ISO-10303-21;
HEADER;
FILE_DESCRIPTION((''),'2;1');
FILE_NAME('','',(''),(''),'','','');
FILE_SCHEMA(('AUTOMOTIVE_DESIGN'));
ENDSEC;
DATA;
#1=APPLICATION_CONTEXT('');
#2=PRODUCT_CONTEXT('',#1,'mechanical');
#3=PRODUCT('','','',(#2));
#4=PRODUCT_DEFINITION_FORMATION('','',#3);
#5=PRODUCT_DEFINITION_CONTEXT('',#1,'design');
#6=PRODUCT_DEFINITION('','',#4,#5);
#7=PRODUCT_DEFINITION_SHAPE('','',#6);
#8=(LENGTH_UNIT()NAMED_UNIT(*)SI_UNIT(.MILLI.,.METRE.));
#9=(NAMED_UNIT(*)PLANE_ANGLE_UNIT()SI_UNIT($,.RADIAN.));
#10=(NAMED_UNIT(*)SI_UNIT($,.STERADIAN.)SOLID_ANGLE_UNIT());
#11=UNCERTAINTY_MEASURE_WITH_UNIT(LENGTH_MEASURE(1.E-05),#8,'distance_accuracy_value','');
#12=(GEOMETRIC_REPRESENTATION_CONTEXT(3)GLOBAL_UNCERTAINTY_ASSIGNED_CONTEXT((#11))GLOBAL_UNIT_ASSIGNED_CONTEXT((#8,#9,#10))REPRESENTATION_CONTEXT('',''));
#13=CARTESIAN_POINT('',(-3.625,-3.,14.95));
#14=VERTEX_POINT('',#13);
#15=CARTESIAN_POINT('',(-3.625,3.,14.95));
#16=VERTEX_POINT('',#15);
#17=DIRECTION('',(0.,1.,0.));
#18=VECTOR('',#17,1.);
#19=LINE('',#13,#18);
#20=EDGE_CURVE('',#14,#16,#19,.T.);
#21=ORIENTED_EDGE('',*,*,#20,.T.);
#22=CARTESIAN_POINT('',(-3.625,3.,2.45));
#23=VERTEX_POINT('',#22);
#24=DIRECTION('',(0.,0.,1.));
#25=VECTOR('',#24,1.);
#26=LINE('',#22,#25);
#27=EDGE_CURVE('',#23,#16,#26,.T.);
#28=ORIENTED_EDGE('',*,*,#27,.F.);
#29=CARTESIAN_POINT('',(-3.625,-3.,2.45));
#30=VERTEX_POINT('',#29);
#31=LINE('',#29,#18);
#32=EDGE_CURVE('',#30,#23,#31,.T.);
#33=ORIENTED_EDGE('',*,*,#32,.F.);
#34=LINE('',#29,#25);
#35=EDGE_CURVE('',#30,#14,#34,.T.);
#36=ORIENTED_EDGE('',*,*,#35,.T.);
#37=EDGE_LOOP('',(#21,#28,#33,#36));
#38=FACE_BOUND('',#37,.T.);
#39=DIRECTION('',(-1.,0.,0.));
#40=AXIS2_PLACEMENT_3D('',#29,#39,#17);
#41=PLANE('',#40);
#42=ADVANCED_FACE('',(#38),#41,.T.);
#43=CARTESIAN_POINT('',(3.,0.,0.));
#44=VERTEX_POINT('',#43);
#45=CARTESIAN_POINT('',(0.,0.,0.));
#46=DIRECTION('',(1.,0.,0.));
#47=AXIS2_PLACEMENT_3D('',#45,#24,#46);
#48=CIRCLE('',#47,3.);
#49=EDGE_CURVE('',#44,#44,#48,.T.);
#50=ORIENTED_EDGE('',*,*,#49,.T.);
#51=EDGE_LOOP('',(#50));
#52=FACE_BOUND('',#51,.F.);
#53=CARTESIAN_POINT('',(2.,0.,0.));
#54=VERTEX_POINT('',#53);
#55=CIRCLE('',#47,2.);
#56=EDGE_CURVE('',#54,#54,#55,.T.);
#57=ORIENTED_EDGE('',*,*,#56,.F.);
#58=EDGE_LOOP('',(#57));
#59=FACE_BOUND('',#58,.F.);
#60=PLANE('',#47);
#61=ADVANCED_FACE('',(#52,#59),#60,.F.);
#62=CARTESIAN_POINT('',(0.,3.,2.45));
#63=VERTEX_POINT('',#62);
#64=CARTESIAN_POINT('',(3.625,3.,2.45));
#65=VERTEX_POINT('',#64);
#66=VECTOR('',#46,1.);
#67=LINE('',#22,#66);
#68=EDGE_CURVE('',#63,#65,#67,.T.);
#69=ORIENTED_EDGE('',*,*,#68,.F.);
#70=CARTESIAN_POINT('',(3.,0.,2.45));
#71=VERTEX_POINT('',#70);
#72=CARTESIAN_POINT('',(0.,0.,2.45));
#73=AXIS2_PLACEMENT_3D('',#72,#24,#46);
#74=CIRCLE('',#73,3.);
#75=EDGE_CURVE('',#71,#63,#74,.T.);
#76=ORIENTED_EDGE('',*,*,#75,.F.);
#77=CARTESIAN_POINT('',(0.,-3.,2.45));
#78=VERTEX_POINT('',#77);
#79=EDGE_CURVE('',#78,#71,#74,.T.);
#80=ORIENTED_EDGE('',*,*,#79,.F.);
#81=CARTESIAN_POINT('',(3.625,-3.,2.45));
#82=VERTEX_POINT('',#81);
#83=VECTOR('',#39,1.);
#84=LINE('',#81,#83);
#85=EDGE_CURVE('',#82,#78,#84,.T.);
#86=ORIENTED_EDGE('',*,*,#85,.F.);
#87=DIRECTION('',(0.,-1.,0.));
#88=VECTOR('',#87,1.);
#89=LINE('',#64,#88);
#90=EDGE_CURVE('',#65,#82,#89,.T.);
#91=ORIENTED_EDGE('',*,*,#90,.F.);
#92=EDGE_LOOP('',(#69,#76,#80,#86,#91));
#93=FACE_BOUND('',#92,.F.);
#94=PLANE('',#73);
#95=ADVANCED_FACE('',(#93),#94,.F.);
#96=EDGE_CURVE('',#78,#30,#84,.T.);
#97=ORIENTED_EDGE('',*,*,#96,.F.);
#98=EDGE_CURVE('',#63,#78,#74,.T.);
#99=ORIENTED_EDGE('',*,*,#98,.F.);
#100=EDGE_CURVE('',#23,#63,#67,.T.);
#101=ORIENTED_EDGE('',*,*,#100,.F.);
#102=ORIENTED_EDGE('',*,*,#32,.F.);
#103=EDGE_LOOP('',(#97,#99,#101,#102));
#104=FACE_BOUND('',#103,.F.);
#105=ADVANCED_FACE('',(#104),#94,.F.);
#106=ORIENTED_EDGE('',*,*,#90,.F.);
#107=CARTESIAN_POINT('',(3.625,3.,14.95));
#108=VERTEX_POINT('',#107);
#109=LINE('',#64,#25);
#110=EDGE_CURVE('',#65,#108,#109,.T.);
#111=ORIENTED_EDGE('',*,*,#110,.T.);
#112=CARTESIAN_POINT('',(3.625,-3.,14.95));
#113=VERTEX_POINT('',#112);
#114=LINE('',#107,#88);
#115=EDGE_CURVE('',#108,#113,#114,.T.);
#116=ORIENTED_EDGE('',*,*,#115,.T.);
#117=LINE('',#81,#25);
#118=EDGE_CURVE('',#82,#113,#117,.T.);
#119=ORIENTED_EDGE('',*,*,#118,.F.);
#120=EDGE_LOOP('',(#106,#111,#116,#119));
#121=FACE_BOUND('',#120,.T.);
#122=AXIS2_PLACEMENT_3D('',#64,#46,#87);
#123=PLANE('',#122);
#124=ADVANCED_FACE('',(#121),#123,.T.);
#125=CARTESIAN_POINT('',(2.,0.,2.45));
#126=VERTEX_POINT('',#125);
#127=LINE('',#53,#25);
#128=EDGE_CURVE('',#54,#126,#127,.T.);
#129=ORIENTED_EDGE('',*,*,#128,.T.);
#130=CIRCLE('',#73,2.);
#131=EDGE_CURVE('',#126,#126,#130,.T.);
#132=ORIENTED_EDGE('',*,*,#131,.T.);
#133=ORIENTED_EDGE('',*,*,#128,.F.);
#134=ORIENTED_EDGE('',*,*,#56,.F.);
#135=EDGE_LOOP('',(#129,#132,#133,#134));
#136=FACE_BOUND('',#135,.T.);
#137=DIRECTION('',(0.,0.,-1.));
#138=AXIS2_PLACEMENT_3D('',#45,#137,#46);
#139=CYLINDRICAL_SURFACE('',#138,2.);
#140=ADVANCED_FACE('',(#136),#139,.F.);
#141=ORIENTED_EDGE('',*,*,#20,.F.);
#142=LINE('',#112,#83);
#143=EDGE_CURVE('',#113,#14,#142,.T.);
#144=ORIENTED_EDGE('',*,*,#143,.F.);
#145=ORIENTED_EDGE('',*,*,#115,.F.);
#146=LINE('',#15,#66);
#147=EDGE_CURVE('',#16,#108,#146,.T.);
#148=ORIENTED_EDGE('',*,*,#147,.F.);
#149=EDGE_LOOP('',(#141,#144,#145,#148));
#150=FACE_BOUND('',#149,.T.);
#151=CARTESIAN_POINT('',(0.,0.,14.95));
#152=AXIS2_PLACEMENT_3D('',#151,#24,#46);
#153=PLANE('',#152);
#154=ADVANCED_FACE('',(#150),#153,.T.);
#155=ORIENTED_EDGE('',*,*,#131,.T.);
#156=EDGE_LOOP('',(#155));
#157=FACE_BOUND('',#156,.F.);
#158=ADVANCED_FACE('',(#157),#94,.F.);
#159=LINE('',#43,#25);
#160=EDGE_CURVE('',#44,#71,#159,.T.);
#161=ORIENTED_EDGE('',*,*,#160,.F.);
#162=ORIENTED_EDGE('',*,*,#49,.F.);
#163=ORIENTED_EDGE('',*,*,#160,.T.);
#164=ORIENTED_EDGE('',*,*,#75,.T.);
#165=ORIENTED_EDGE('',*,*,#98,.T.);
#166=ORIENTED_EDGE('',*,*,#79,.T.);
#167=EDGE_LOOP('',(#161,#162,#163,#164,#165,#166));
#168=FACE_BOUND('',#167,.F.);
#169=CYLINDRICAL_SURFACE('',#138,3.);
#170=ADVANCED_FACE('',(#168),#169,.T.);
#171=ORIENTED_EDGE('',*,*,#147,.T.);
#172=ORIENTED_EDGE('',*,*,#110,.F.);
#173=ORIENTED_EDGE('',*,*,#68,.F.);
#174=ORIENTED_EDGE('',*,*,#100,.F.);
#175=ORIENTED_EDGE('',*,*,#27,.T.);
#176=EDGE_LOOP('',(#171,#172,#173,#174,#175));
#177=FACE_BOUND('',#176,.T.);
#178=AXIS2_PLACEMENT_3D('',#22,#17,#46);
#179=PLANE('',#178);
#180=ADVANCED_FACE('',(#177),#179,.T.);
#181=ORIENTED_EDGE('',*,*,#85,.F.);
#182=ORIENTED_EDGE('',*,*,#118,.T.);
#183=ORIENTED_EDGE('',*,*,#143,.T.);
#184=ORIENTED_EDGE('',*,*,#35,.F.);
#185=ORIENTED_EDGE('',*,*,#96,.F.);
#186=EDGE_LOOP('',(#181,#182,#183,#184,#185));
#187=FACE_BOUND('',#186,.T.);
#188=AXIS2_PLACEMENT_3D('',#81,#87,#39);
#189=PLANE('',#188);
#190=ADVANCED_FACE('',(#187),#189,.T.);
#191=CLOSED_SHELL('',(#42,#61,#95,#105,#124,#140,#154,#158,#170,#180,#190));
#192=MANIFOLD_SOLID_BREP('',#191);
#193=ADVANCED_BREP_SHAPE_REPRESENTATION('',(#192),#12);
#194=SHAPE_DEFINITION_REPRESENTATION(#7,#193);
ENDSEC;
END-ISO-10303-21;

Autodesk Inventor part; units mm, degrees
ref_plane "YZ Plane" through (0, 0, 0) normal (1, 0, 0) x (0, 1, 0)
ref_plane "XZ Plane" through (0, 0, 0) normal (0, 1, 0) x (-1, 0, 0)
ref_plane "XY Plane" through (0, 0, 0) normal (0, 0, 1) x (1, 0, 0)
sketch "Sketch1" plane through (0, 0, 0) normal (0, 0, 1) x (1, 0, 0)
  circle A0 centre (0, 0) radius 3
  circle A1 centre (0, 0) radius 2
  dimension "d0" = 6
  dimension "d1" = 4
extrude "Extrusion1" add sketch "Sketch1" along normal blind 2.45
sketch "Esquisse2" plane through (0, 0, 2.45) normal (0, 0, 1) x (1, 0, 0)
  line L0 (-3.625, 3) -> (3.625, 3)
  line L1 (3.625, 3) -> (3.625, -3)
  line L2 (3.625, -3) -> (-3.625, -3)
  line L3 (-3.625, -3) -> (-3.625, 3)
  circle A0 centre (0, 0) radius 2 construction
  circle A1 centre (0, 0) radius 3 construction
  line L4 (0, 0) -> (0, 3) construction
  line L5 (0, 0) -> (0, -3) construction
  dimension "d4" = 7.25
extrude "Extrusion2" add sketch "Esquisse2" along normal blind 12.5
properties part number "R006"
